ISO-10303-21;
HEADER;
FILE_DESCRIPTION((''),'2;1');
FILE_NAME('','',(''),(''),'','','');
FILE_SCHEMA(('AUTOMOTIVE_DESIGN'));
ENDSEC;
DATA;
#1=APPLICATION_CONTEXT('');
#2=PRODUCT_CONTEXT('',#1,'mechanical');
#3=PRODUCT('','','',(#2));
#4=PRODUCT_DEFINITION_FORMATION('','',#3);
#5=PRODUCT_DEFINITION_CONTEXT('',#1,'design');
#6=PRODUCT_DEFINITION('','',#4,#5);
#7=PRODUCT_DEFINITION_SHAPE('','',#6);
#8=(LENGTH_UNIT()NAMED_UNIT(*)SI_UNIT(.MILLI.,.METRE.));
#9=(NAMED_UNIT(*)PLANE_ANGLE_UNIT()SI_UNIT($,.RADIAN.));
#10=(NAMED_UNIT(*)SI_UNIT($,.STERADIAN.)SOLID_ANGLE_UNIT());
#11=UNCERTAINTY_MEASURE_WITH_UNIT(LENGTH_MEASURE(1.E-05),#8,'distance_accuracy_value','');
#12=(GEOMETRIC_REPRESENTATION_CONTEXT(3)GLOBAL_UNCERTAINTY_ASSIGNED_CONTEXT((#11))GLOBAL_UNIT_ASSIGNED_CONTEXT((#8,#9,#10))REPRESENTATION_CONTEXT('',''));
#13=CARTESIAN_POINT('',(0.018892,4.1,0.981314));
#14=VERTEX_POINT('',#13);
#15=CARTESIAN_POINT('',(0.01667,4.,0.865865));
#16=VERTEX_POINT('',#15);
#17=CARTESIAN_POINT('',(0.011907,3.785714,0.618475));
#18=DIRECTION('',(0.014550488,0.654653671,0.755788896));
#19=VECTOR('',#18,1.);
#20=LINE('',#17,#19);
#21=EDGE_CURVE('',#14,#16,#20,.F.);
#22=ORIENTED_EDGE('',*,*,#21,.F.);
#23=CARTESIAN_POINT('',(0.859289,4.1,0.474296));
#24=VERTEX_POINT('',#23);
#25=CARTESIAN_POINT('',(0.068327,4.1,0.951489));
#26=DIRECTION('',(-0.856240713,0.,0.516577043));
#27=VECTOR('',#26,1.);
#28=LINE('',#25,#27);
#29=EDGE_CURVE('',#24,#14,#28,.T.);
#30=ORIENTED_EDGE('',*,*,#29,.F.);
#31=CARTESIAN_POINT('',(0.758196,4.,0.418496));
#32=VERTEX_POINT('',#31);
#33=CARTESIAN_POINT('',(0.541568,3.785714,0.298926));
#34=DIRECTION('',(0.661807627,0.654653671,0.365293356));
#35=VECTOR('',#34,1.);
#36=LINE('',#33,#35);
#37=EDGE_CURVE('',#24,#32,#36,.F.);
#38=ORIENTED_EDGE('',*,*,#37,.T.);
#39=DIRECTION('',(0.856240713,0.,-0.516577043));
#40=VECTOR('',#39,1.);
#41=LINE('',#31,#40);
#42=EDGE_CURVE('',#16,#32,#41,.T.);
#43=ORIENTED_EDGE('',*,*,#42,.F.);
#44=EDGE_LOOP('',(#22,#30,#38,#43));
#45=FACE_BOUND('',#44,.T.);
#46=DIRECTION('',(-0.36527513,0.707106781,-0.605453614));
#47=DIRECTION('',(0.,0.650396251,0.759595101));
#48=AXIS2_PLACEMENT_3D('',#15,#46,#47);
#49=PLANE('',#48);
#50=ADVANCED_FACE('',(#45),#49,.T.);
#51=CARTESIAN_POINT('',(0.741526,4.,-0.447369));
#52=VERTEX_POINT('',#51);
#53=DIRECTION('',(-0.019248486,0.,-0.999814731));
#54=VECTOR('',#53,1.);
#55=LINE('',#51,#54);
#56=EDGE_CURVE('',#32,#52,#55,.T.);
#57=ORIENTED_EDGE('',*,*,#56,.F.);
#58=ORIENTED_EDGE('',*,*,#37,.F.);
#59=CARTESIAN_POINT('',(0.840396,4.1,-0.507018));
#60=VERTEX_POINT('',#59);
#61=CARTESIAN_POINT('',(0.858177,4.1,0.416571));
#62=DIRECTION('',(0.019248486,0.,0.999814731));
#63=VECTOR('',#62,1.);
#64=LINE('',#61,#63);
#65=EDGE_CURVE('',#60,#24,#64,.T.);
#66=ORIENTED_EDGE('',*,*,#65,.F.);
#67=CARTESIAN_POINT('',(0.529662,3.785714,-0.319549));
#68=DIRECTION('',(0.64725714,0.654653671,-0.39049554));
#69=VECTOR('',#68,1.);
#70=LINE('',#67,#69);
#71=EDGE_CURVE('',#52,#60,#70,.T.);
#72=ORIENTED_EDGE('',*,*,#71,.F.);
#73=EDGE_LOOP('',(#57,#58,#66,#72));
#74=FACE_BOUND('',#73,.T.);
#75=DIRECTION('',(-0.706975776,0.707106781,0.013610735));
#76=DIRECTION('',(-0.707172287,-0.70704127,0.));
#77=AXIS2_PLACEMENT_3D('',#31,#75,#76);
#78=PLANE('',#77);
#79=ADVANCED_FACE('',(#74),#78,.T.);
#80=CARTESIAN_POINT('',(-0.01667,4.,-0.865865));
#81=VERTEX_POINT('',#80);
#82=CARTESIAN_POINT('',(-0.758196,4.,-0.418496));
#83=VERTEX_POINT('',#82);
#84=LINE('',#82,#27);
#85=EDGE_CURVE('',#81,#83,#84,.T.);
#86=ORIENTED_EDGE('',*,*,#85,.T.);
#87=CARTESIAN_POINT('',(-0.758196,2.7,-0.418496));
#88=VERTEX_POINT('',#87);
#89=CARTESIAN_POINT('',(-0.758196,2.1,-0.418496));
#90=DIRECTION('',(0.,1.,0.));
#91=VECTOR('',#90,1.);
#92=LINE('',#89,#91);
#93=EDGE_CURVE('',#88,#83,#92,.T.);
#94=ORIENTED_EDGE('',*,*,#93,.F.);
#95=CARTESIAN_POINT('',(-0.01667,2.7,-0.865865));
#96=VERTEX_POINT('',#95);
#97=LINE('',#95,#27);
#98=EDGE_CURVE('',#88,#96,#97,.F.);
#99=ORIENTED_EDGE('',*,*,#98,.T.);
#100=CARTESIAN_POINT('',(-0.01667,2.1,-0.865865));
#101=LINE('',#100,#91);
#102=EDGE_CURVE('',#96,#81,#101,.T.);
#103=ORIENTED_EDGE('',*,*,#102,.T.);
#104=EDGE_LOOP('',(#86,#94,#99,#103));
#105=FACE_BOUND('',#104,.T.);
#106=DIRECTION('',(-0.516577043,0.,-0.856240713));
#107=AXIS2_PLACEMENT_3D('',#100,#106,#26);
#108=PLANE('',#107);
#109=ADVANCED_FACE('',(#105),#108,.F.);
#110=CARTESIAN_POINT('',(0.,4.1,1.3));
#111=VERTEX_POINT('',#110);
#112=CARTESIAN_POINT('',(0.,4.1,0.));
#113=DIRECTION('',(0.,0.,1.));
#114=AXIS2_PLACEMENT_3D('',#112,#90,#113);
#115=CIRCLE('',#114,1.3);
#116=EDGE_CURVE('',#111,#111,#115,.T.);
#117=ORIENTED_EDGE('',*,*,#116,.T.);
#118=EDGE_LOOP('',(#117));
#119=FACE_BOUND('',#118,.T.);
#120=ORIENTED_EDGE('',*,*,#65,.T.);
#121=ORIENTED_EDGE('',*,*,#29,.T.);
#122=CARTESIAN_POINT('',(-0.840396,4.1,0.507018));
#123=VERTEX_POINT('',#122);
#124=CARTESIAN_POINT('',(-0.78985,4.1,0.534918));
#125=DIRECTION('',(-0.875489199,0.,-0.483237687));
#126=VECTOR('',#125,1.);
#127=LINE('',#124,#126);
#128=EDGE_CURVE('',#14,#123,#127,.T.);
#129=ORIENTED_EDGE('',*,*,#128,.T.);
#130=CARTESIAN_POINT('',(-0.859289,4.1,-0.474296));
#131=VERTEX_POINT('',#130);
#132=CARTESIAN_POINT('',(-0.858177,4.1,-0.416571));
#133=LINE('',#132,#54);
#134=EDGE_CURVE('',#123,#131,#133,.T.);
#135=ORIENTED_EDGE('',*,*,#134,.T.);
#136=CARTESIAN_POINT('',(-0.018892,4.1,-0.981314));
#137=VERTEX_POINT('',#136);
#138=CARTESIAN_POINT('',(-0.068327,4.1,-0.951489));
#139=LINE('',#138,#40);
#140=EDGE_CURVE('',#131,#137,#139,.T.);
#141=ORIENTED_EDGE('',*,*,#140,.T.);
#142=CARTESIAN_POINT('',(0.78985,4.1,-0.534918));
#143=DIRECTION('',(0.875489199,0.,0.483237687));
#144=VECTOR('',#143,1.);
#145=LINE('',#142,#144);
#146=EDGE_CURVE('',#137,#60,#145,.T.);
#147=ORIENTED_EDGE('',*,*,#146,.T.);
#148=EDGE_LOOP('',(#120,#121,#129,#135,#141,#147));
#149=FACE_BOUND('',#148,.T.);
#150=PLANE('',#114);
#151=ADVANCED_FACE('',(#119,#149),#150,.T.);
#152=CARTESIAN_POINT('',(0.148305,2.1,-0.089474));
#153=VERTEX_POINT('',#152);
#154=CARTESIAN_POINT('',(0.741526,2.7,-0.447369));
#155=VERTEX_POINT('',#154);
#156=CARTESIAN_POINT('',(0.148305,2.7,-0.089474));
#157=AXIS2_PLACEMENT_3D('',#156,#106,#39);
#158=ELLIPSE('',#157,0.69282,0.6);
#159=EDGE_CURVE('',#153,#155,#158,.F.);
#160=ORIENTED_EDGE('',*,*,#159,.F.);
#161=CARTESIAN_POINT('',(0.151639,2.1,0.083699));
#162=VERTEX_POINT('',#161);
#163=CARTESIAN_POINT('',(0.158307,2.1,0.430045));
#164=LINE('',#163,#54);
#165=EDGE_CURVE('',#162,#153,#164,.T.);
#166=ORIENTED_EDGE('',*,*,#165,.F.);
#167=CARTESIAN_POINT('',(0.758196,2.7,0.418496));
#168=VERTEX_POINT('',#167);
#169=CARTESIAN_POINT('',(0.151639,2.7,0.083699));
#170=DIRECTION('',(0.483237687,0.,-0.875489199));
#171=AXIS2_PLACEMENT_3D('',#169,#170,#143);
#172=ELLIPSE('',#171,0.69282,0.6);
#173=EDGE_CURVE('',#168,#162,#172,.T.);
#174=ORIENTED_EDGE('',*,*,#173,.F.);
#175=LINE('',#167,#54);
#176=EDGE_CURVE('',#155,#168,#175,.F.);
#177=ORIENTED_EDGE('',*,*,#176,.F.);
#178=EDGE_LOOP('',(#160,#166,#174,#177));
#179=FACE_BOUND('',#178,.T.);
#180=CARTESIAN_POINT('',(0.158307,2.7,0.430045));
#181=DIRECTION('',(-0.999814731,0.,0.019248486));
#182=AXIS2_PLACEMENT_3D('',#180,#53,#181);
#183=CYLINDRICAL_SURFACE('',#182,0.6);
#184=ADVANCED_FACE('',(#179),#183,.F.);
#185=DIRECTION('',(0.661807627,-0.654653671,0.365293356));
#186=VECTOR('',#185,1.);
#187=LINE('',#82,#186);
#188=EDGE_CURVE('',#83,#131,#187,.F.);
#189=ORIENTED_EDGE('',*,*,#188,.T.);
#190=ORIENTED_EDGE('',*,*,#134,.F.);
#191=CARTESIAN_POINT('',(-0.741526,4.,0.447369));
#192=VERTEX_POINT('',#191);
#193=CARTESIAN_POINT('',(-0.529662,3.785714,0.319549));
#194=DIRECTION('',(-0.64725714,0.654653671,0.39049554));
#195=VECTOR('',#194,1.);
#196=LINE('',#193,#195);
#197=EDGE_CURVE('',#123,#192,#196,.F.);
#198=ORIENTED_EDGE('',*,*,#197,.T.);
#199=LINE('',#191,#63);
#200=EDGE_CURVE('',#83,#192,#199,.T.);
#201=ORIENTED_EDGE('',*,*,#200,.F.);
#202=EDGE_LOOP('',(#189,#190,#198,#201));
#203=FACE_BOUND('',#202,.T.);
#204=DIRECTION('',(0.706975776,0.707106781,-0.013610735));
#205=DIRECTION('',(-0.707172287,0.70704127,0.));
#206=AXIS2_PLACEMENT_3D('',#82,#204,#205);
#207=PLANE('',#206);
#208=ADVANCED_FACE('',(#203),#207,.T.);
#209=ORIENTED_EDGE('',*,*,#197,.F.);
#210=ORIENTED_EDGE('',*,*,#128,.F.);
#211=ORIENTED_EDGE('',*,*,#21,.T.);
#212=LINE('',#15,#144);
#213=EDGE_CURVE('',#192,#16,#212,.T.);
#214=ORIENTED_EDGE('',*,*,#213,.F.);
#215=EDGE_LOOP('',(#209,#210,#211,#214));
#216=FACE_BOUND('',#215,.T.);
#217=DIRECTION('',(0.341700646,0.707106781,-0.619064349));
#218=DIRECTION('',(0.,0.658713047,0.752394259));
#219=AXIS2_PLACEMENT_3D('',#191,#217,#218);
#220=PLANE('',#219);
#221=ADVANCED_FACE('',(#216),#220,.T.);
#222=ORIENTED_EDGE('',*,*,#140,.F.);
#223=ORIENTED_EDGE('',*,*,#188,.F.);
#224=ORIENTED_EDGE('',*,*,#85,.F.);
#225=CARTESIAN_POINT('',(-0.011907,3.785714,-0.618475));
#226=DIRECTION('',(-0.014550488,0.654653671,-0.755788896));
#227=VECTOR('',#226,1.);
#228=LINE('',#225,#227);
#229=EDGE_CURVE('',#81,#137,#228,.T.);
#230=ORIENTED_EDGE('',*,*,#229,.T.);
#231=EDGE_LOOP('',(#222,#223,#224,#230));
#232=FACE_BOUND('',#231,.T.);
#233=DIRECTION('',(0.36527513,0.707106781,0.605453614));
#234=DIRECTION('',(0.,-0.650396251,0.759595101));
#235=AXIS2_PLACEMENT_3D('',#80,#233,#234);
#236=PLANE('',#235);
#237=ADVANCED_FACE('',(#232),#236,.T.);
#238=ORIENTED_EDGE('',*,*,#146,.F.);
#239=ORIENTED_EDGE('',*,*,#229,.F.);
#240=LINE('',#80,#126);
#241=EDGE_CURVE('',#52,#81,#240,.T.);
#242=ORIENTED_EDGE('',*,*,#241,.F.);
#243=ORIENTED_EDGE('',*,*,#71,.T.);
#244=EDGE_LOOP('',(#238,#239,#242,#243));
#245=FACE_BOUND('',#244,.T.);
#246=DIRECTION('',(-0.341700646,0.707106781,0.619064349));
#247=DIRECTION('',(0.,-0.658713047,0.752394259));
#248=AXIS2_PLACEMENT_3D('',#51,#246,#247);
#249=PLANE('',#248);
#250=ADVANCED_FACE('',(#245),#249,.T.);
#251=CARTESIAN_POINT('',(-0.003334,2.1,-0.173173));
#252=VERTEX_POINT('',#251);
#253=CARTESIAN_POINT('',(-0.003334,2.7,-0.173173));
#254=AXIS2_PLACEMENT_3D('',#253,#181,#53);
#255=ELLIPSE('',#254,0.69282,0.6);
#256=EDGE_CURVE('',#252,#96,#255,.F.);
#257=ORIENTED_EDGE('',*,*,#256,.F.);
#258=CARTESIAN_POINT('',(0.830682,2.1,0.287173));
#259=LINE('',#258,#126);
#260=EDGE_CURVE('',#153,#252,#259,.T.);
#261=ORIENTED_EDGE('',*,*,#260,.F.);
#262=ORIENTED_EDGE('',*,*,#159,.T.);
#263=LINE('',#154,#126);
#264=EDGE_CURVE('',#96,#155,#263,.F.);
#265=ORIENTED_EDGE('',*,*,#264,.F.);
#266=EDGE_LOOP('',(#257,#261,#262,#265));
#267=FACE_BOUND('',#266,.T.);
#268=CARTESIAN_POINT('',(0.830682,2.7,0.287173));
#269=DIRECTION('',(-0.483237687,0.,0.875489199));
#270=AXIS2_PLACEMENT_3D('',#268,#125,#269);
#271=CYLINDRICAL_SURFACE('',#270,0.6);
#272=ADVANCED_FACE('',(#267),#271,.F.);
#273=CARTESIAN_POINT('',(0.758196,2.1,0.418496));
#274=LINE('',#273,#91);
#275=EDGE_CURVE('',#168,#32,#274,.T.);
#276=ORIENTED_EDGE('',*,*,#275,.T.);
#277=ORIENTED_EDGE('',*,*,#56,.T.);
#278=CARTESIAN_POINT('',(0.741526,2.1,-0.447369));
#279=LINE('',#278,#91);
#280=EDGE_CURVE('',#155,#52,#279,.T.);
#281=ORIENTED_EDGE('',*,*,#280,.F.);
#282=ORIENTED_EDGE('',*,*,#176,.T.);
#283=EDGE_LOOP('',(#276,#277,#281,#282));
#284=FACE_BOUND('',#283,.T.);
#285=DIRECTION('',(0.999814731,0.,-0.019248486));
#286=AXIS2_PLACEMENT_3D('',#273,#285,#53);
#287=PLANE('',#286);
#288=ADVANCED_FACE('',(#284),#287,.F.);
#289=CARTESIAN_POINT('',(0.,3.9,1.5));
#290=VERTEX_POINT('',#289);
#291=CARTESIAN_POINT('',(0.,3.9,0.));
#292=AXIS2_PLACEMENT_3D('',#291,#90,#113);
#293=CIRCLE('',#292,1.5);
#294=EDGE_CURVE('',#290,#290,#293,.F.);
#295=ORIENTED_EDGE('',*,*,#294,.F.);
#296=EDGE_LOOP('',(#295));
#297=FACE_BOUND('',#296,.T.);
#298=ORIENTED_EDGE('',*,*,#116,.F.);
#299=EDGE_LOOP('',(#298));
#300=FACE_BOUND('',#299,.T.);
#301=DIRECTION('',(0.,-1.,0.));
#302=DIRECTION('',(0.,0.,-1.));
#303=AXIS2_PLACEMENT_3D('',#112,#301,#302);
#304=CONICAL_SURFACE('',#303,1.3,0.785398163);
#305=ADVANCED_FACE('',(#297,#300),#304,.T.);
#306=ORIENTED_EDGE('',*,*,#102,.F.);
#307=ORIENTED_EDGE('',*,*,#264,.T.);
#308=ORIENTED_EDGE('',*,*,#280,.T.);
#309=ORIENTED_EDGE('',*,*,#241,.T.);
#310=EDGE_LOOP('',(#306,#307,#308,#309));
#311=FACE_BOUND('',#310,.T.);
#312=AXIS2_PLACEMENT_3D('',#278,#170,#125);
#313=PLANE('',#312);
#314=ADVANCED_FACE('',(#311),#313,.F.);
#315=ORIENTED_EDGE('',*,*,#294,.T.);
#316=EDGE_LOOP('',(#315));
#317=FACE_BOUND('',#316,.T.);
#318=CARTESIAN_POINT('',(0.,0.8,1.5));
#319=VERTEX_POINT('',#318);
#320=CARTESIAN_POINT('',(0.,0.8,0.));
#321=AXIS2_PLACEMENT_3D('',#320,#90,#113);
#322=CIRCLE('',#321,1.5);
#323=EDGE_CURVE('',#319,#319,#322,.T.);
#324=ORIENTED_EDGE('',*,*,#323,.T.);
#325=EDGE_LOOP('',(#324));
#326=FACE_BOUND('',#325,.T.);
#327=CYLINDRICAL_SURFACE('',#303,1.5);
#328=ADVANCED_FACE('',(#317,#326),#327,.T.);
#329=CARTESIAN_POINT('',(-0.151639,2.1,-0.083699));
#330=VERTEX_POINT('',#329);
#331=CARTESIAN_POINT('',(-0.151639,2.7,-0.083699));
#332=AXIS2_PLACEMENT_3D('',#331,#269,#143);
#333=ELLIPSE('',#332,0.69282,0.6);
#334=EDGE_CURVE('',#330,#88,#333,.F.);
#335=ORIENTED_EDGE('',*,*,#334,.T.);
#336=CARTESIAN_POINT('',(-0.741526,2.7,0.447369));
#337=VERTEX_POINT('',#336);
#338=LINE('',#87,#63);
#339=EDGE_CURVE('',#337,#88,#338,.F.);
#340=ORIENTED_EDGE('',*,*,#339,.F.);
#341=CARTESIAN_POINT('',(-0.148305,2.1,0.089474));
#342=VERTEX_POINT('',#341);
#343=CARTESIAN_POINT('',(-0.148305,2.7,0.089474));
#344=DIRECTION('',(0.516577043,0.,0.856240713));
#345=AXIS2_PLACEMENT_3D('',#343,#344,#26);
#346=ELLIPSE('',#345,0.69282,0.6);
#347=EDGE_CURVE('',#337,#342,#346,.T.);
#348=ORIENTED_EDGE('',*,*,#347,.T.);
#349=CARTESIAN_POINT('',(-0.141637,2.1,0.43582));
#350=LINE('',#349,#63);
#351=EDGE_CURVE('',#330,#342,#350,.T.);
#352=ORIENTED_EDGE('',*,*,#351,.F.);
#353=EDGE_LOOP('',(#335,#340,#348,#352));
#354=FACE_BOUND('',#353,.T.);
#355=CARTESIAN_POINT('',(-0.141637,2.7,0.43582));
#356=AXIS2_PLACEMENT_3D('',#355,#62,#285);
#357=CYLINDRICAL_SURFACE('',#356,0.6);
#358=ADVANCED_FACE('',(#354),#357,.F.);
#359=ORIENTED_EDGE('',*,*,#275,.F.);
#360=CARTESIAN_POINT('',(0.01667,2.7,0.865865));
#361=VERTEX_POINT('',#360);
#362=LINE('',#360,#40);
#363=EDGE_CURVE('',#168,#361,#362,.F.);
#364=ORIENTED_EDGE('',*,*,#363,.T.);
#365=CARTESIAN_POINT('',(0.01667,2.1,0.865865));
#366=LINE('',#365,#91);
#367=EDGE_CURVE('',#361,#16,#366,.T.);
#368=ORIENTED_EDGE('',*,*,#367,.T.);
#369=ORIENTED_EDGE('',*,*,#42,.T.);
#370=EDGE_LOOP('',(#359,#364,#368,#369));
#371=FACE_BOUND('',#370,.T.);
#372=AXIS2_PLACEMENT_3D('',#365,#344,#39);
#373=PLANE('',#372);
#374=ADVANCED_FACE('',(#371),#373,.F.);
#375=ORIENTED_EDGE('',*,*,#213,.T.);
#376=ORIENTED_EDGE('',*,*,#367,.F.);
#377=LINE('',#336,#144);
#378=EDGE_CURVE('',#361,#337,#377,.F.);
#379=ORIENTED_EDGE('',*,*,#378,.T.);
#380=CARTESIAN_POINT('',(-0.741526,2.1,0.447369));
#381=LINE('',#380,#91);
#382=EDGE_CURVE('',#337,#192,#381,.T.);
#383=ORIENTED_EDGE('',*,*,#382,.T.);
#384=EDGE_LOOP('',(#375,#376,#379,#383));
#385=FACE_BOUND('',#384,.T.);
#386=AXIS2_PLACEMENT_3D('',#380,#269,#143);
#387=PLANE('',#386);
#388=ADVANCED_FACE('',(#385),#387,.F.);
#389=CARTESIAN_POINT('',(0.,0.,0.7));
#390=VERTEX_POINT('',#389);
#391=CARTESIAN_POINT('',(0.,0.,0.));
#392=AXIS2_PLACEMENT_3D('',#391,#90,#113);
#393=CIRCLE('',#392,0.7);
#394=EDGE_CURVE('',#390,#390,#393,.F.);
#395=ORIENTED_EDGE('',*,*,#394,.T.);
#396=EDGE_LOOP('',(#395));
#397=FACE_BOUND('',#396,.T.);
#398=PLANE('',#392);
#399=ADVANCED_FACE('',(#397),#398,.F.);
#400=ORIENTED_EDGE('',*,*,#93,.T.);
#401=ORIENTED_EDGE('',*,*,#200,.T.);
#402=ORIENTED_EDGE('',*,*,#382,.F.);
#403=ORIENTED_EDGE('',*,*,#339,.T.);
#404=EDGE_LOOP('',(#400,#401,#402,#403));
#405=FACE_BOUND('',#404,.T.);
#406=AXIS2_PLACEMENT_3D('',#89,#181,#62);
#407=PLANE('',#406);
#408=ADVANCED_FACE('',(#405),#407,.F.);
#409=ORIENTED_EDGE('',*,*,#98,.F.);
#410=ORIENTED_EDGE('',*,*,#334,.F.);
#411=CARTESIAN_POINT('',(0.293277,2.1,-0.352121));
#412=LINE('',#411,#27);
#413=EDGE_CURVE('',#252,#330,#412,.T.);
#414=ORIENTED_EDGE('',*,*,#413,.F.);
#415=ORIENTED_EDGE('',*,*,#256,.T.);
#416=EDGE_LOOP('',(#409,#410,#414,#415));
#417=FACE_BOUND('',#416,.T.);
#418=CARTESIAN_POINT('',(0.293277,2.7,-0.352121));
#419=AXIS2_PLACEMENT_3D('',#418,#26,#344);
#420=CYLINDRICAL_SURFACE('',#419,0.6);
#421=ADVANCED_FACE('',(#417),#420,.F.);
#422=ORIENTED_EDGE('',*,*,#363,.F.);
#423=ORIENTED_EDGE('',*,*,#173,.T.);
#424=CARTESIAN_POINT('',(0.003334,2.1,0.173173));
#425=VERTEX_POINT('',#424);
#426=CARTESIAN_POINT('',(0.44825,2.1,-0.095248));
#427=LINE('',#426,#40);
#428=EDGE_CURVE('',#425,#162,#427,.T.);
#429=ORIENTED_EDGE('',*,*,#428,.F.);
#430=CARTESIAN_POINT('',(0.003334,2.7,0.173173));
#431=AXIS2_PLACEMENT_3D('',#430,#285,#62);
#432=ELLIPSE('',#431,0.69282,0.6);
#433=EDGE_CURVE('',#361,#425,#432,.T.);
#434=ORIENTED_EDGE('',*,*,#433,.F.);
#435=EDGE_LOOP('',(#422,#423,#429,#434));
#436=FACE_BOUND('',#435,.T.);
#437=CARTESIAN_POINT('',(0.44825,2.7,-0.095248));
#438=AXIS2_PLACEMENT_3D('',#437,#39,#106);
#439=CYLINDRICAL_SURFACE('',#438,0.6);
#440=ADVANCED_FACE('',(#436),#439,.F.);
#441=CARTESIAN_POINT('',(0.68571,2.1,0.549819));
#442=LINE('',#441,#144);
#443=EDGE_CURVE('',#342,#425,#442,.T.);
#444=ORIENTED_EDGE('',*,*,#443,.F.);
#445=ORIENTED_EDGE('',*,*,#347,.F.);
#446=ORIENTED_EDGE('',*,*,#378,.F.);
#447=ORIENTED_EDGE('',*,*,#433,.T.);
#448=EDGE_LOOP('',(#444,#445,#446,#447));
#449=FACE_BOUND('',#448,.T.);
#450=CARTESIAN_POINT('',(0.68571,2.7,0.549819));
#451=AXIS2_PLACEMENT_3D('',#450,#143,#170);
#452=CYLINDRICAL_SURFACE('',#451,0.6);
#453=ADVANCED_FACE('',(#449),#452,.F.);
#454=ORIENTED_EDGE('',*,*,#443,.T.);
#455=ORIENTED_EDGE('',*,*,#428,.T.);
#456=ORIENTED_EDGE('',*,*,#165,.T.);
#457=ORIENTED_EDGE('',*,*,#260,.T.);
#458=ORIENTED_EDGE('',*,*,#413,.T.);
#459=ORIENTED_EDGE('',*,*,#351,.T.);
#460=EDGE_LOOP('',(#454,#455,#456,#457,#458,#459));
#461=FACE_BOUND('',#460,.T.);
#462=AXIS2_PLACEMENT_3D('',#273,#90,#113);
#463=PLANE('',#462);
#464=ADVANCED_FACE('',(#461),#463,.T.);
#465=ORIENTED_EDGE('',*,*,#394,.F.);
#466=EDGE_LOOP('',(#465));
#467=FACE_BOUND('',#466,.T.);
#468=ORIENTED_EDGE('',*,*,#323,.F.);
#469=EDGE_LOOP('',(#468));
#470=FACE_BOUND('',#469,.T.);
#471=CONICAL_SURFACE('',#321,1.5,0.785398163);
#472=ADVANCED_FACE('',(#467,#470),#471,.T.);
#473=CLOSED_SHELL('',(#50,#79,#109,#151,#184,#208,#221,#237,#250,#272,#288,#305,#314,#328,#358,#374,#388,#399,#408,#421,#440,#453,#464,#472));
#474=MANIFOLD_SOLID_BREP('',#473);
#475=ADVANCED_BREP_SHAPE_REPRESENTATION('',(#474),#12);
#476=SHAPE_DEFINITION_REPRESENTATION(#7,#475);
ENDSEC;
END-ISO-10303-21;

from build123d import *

# Parameters (mm, degrees)
SKETCH1_R           = 1.5
BOSS_EXTRUDE1_DEPTH = 4.1
CUT_EXTRUDE2_DEPTH  = 2
CHAMFER1_SIZE       = 0.2
CHAMFER2_SIZE       = 0.1
FILLET3_R           = 0.6
CHAMFER3_SIZE       = 0.8


with BuildPart() as part:
    # Sketch1 → Boss-Extrude1 (new body)
    with BuildSketch(Plane(origin=(0, 0, 0), x_dir=(1, 0, 0), z_dir=(0, 1, 0))):
        Circle(SKETCH1_R)
    extrude(amount=BOSS_EXTRUDE1_DEPTH)

    # Sketch2 → Cut-Extrude2 (cut)
    with BuildSketch(Plane(origin=(0, 4.1, 0), x_dir=(1, 0, 0), z_dir=(0, 1, 0))):
        Polygon((0.758195887, -0.418496113), (0.741526209, 0.447368843), (-0.016669678, 0.865864956), (-0.758195887, 0.418496113), (-0.741526209, -0.447368843), (0.016669678, -0.865864956), align=None)
    extrude(amount=-CUT_EXTRUDE2_DEPTH, mode=Mode.SUBTRACT)

    # Chamfer1
    chamfer1_edges = [part.edges().sort_by_distance(p)[0] for p in [
        (-1.5, 4.1, 0),
    ]]
    chamfer(chamfer1_edges, length=CHAMFER1_SIZE)

    # Chamfer2
    chamfer2_edges = [part.edges().sort_by_distance(p)[0] for p in [
        (0.387432783, 4.1, 0.642180535),
        (0.749861048, 4.1, -0.014436365),
        (0.362428265, 4.1, -0.656616899),
        (-0.387432783, 4.1, -0.642180535),
        (-0.749861048, 4.1, 0.014436365),
        (-0.362428265, 4.1, 0.656616899),
    ]]
    chamfer(chamfer2_edges, length=CHAMFER2_SIZE)

    # Fillet3
    fillet3_edges = [part.edges().sort_by_distance(p)[0] for p in [
        (0.749861048, 2.1, -0.014436365),
        (0.387432783, 2.1, 0.642180535),
        (-0.362428265, 2.1, 0.656616899),
        (-0.749861048, 2.1, 0.014436365),
        (-0.387432783, 2.1, -0.642180535),
        (0.362428265, 2.1, -0.656616899),
    ]]
    fillet(fillet3_edges, radius=FILLET3_R)

    # Chamfer3
    chamfer3_edges = [part.edges().sort_by_distance(p)[0] for p in [
        (-1.5, 0, 0),
    ]]
    chamfer(chamfer3_edges, length=CHAMFER3_SIZE)


solid = part.part
